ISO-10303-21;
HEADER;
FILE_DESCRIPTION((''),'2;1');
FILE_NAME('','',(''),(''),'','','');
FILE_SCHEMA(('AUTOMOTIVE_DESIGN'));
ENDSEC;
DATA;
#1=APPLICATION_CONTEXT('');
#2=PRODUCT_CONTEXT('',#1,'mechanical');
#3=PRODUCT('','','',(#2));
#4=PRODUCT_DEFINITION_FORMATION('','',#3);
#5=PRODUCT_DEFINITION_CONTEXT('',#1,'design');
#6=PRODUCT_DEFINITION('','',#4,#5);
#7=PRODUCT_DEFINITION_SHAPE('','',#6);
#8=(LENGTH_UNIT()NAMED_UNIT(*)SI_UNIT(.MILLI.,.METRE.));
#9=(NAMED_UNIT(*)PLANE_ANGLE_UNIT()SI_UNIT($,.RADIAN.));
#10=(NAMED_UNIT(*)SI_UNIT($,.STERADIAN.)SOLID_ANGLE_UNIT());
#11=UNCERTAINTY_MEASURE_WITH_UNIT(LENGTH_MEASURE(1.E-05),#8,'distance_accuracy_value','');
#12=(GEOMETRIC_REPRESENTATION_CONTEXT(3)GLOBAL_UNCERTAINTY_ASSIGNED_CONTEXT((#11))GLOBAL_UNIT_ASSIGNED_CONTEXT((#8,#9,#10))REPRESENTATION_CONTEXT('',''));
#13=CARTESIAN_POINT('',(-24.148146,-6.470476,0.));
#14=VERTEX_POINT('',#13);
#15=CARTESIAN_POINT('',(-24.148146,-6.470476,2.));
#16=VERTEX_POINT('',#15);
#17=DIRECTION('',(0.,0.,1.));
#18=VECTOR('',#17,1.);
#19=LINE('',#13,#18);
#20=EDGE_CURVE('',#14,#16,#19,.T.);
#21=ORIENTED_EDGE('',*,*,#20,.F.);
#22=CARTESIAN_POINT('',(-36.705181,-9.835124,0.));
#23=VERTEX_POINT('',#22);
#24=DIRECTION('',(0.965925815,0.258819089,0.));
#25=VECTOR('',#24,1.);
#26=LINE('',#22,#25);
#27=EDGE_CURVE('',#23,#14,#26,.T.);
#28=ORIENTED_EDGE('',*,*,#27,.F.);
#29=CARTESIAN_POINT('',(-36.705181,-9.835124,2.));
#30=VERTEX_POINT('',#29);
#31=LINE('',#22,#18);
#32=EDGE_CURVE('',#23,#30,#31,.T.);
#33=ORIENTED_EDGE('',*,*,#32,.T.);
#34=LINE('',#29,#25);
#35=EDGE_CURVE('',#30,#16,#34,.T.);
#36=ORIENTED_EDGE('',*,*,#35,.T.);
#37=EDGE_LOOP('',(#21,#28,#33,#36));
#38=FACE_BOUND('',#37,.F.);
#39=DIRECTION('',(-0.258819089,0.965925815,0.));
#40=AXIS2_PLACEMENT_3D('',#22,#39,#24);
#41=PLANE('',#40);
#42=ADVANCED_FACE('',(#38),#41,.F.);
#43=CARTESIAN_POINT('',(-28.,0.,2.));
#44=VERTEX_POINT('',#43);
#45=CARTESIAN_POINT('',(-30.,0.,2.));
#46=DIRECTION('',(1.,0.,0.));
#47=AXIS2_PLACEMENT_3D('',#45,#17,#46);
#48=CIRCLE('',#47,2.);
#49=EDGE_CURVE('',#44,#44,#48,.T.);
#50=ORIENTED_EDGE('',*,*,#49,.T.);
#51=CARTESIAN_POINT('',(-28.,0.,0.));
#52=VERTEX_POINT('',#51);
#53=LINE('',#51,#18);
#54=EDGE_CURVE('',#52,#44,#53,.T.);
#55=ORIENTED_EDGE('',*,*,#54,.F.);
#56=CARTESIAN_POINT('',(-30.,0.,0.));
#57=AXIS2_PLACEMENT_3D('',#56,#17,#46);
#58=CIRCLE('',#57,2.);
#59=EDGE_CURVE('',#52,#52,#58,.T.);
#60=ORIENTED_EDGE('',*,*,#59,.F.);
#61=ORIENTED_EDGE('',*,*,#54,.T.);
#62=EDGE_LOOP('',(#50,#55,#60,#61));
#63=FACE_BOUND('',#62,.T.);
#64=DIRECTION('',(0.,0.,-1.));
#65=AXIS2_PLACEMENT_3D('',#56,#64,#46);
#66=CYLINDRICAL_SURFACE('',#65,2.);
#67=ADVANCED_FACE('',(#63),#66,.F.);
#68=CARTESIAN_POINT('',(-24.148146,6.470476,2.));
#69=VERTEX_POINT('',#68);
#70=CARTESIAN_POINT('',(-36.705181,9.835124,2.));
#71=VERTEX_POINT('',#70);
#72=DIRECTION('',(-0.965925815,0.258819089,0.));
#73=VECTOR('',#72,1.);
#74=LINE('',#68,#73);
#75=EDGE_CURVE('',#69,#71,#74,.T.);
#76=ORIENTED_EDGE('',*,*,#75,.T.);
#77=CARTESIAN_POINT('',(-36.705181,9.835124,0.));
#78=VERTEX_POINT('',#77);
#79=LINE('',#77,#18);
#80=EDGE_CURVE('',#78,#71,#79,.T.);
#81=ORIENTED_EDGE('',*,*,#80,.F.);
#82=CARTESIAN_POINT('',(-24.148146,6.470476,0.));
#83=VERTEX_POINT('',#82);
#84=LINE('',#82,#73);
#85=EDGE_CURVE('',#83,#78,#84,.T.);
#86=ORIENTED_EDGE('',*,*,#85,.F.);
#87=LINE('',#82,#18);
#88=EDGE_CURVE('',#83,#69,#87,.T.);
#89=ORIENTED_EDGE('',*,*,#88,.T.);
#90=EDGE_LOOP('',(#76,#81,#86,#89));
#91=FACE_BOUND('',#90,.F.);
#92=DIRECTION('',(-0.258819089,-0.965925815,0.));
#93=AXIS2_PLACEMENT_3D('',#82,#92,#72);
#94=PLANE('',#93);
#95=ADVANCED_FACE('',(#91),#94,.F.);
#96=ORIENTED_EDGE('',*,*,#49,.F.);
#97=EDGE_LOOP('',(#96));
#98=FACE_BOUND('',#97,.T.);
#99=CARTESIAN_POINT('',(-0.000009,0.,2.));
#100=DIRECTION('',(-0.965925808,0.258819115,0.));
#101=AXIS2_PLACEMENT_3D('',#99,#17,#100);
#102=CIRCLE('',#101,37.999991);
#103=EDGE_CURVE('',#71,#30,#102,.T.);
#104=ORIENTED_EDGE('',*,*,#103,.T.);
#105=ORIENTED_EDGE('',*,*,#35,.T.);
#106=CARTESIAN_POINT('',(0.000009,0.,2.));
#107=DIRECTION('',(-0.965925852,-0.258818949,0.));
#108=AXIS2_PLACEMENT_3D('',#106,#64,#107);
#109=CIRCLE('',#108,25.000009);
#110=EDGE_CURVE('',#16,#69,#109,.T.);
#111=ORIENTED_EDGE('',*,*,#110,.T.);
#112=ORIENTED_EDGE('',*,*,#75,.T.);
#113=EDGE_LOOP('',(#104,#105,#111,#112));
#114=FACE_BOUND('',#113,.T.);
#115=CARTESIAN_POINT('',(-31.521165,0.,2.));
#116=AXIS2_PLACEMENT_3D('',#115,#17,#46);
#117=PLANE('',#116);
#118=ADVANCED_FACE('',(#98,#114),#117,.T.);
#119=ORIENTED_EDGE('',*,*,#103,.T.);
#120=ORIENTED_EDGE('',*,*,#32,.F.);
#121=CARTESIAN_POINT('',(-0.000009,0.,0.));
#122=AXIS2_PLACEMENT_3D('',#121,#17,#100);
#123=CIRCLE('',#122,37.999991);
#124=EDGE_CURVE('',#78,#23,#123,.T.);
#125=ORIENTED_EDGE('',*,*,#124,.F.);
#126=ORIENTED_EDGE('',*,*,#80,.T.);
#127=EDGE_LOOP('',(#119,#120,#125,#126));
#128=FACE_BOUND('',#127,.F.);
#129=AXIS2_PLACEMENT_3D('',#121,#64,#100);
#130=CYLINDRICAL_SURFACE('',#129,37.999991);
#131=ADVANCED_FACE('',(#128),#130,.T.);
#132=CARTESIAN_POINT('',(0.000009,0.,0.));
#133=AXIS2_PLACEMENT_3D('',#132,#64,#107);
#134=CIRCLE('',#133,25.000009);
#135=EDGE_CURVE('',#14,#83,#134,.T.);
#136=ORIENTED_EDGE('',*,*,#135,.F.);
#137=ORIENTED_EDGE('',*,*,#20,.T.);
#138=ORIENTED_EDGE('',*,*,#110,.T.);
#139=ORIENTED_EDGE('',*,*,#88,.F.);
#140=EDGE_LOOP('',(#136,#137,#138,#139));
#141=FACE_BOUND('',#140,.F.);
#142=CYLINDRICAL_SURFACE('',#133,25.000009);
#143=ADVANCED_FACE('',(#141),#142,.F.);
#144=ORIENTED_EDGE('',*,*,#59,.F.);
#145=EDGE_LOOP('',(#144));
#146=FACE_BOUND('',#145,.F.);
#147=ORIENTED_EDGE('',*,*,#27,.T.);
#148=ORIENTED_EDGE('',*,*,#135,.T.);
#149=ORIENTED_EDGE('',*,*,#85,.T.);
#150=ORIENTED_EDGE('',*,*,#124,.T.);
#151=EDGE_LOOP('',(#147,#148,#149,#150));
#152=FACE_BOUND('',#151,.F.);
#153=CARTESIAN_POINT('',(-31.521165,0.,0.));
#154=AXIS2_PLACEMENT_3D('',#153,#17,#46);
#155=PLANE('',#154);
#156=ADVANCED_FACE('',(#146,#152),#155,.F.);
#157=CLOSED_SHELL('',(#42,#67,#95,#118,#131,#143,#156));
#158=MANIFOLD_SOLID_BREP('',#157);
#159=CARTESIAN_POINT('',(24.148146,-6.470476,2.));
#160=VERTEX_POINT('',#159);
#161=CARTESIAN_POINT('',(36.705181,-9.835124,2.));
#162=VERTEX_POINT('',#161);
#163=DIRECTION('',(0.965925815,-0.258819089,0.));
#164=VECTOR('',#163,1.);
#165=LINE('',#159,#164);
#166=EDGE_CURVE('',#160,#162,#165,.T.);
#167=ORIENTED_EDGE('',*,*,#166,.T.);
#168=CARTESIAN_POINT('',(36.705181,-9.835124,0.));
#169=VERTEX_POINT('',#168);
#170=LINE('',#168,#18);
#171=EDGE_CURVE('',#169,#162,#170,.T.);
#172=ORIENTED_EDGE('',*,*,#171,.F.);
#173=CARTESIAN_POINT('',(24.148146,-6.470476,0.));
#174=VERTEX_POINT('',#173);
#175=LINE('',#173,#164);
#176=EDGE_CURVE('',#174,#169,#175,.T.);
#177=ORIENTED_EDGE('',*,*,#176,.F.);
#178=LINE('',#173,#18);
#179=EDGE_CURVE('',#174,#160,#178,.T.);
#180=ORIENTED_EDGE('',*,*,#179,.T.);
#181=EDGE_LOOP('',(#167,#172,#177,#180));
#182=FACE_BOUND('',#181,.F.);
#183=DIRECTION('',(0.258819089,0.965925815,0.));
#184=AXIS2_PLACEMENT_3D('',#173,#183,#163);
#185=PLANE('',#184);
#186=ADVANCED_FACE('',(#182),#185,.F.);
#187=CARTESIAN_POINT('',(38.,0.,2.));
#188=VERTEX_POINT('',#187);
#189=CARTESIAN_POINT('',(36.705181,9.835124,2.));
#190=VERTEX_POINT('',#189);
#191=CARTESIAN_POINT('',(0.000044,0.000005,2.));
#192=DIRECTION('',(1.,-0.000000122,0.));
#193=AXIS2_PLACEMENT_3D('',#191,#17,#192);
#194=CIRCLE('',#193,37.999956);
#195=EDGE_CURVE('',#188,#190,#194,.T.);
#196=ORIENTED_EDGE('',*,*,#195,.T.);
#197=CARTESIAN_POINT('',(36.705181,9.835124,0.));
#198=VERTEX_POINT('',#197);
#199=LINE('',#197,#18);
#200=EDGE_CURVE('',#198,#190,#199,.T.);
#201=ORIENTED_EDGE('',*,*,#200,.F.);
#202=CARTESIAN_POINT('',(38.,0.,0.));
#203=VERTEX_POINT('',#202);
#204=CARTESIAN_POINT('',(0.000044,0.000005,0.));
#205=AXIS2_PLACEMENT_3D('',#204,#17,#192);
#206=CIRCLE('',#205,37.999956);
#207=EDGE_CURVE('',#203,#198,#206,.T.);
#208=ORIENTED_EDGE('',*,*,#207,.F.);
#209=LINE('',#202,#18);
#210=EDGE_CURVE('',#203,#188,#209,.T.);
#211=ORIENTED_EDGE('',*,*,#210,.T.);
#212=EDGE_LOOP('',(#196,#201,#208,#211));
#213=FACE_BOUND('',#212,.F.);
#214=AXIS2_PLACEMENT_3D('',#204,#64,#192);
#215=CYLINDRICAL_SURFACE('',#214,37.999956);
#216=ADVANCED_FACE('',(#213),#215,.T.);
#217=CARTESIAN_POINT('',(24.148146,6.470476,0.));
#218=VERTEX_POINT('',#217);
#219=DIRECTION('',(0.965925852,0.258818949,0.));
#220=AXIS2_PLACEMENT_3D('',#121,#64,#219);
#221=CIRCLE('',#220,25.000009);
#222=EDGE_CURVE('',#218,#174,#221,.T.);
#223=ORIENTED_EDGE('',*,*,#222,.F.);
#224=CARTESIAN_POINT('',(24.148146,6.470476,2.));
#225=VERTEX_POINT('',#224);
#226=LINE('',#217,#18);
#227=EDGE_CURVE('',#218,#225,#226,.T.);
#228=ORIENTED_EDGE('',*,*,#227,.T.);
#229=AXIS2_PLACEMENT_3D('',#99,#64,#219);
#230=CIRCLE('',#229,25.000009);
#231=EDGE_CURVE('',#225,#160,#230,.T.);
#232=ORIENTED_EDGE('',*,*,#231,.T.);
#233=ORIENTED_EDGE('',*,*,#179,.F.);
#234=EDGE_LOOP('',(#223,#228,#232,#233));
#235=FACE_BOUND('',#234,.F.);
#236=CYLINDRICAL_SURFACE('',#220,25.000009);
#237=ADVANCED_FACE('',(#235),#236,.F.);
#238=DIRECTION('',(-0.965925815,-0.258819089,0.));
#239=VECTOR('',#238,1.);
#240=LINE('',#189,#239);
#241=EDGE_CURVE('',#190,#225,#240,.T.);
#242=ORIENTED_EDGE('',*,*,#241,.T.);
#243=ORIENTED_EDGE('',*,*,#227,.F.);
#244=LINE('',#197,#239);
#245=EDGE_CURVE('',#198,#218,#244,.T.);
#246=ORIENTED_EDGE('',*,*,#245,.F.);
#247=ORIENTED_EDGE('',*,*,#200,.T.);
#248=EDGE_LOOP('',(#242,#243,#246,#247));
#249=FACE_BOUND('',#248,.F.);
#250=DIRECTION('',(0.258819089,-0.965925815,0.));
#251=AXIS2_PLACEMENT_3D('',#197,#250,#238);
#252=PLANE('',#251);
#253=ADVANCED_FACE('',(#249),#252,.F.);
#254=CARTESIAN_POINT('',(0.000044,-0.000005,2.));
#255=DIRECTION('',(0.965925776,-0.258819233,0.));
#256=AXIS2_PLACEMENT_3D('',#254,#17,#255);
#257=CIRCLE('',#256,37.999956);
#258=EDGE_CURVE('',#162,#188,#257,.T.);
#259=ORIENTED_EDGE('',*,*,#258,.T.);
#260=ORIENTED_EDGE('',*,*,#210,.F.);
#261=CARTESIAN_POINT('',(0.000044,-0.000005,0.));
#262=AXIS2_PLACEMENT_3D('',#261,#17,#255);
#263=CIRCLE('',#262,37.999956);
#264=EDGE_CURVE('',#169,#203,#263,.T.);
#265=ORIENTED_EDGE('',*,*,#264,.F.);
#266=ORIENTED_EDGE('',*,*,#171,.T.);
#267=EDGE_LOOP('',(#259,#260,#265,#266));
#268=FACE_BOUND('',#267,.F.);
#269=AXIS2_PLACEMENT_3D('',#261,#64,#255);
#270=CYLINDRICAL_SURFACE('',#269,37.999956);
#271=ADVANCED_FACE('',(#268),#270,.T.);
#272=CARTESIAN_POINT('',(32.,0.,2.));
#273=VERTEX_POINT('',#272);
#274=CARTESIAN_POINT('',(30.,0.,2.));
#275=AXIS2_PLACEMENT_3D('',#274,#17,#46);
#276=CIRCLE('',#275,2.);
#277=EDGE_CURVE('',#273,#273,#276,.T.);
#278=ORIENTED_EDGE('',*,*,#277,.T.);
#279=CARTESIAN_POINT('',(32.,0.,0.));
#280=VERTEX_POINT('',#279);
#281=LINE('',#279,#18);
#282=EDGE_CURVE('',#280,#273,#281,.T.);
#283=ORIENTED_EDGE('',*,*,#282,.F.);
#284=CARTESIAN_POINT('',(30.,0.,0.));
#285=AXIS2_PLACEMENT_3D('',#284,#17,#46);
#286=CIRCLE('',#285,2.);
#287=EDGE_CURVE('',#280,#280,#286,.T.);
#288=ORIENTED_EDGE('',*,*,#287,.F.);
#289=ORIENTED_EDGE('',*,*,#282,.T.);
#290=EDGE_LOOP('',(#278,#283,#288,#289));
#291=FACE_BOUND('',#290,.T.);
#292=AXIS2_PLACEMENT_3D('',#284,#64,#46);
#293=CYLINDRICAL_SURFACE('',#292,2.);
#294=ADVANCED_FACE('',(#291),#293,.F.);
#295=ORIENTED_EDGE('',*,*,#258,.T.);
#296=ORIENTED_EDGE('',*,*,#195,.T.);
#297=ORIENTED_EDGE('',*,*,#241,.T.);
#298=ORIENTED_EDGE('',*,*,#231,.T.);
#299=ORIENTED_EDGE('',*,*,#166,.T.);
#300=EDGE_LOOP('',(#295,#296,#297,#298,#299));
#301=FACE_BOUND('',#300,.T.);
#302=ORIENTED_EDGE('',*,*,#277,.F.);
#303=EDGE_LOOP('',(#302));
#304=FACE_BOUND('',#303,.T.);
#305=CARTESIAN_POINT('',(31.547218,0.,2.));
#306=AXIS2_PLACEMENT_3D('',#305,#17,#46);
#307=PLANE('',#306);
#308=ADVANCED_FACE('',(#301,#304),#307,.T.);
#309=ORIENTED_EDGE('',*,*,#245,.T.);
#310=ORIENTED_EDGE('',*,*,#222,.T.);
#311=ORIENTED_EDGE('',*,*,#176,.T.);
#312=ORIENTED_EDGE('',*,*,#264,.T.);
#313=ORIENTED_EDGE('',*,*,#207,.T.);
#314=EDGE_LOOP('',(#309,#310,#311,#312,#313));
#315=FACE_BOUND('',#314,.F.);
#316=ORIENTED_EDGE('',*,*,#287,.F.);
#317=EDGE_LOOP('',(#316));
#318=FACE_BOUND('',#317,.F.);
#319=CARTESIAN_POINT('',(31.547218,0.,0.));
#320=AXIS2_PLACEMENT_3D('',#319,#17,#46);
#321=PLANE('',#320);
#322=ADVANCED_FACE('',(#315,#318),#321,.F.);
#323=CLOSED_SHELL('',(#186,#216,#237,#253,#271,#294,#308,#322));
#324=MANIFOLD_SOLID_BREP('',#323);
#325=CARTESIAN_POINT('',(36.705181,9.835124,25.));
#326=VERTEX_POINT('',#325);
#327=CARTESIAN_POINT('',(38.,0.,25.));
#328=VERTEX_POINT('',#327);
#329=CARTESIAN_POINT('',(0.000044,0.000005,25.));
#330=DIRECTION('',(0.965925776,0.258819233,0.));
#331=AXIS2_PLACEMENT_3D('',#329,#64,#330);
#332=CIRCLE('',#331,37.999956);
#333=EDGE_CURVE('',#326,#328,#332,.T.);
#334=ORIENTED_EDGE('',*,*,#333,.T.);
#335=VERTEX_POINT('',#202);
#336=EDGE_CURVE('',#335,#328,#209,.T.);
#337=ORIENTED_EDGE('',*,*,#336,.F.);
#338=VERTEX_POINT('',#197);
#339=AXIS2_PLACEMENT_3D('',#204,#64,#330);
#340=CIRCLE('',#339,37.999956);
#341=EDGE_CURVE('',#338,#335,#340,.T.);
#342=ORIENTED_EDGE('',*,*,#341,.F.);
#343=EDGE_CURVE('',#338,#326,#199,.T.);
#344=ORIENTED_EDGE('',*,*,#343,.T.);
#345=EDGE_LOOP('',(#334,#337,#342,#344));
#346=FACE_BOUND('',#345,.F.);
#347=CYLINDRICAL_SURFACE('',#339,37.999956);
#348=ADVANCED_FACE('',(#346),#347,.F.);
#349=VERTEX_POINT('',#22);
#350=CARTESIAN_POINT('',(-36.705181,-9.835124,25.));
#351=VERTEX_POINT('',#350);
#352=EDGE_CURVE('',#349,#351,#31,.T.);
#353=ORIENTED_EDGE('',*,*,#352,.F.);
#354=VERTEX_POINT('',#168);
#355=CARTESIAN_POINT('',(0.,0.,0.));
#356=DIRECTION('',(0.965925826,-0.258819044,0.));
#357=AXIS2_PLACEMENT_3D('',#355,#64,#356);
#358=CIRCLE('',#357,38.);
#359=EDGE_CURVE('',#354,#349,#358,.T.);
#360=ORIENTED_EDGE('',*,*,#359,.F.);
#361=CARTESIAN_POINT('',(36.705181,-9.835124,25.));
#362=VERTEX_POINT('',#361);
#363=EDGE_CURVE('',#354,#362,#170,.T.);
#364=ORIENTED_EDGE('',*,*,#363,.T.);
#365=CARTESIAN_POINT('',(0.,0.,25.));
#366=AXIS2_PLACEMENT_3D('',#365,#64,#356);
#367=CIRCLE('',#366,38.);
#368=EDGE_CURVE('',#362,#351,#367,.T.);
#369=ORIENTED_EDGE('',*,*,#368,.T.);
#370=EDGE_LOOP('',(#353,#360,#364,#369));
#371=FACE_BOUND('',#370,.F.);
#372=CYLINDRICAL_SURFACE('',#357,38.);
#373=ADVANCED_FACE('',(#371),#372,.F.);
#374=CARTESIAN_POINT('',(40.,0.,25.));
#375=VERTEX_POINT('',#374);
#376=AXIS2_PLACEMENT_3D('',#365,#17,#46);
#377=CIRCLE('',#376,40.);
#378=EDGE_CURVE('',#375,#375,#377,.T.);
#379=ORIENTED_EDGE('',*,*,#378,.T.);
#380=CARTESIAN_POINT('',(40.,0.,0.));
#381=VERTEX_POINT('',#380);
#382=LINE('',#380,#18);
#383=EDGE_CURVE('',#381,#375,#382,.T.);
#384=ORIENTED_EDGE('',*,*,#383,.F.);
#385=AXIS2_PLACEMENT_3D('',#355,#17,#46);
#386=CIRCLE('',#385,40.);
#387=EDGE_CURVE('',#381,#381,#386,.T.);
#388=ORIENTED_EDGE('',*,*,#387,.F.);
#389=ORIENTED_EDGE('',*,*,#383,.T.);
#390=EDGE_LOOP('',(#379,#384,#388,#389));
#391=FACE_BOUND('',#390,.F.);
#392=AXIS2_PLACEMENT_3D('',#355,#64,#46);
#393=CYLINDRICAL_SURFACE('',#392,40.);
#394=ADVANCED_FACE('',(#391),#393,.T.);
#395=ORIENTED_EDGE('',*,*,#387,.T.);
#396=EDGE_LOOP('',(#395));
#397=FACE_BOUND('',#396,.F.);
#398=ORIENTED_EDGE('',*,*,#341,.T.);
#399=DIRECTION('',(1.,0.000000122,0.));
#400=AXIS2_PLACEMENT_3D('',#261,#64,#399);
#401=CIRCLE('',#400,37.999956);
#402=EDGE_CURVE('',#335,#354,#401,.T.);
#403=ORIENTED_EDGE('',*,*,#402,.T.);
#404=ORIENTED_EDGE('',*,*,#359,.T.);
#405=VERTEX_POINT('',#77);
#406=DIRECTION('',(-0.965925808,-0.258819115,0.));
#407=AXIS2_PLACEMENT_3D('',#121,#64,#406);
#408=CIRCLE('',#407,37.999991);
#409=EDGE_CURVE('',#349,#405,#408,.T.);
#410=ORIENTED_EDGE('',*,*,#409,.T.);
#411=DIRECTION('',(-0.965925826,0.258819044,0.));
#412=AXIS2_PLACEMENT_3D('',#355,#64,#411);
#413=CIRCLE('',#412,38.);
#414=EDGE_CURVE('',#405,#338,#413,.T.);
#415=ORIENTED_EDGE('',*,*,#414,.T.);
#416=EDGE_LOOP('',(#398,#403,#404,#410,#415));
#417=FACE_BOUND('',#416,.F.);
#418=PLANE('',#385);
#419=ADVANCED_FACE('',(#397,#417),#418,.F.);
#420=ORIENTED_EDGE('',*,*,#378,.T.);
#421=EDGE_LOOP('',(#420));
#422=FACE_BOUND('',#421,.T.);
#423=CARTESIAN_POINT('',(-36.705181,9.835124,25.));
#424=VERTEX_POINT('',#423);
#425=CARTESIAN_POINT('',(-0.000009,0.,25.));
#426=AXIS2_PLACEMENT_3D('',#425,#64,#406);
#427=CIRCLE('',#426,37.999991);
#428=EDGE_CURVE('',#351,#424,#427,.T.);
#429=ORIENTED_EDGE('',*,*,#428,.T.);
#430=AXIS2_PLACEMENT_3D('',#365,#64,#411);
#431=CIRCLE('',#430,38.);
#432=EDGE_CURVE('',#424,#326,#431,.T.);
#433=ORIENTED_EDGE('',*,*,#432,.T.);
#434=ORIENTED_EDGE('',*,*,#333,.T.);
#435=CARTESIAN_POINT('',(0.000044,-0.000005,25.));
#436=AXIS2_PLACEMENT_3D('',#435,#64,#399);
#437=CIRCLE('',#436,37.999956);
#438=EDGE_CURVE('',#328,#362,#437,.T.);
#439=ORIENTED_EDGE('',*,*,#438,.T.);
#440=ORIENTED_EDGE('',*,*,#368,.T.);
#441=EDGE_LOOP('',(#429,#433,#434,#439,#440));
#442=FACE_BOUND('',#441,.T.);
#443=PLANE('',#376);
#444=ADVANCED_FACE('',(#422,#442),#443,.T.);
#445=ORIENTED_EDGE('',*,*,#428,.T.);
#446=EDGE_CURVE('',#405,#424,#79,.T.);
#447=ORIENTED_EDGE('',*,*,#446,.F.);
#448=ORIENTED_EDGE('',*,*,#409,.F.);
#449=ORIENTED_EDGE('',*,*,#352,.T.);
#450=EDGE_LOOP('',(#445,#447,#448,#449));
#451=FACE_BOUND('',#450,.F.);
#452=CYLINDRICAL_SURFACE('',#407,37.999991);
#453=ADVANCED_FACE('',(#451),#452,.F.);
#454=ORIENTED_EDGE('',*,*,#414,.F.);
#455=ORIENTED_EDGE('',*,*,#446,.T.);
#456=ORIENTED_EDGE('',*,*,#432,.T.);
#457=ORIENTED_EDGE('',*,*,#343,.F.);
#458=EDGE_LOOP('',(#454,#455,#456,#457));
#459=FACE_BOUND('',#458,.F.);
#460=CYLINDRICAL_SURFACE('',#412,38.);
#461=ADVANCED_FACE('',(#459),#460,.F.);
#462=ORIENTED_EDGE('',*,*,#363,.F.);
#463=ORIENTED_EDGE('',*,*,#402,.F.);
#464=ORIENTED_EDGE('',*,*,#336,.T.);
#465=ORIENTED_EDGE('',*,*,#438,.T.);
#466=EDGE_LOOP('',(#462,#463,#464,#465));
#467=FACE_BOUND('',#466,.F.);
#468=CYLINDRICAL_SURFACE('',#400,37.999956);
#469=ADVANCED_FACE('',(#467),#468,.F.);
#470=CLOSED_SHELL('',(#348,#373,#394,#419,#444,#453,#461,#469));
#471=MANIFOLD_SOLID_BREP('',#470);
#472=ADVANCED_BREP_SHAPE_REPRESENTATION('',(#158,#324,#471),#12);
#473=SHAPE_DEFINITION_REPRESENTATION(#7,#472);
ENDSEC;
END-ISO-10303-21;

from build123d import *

# Parameters (mm, degrees)
F0_R     = 40
F1_DEPTH = 25
F0_R_2   = 2
F2_DEPTH = 2
F3_DEPTH = 2


with BuildPart() as f1:
    # F0 (on Top) → F1 (new body)
    with BuildSketch(Plane.XY):
        Circle(F0_R)
        with BuildLine():
            ThreePointArc((36.705181, 9.835124), (37.674905, 4.959995), (38, 0))
            ThreePointArc((38, 0), (37.674905, -4.959995), (36.705181, -9.835124))
            ThreePointArc((36.705181, -9.835124), (0, -38), (-36.705181, -9.835124))
            ThreePointArc((-36.705181, -9.835124), (-38, 0), (-36.705181, 9.835124))
            ThreePointArc((-36.705181, 9.835124), (0, 38), (36.705181, 9.835124))
        make_face(mode=Mode.SUBTRACT)
    extrude(amount=F1_DEPTH)


with BuildPart() as f2:
    # F0 (on Top) → F2 (new body)
    with BuildSketch(Plane.XY):
        with BuildLine():
            Line((-24.148146, 6.470476), (-36.705181, 9.835124))
            ThreePointArc((-36.705181, 9.835124), (-38, 0), (-36.705181, -9.835124))
            Line((-36.705181, -9.835124), (-24.148146, -6.470476))
            ThreePointArc((-24.148146, -6.470476), (-25, 0), (-24.148146, 6.470476))
        make_face()
        with Locations((-30, 0)):
            Circle(F0_R_2, mode=Mode.SUBTRACT)
    extrude(amount=F2_DEPTH)


with BuildPart() as f3:
    # F0 (on Top) → F3 (new body)
    with BuildSketch(Plane.XY):
        with BuildLine():
            ThreePointArc((36.705181, -9.835124), (37.674905, -4.959995), (38, 0))
            ThreePointArc((38, 0), (37.674905, 4.959995), (36.705181, 9.835124))
            Line((36.705181, 9.835124), (24.148146, 6.470476))
            ThreePointArc((24.148146, 6.470476), (25, 0), (24.148146, -6.470476))
            Line((24.148146, -6.470476), (36.705181, -9.835124))
        make_face()
        with Locations((30, 0)):
            Circle(F0_R_2, mode=Mode.SUBTRACT)
    extrude(amount=F3_DEPTH)


solid = Compound([f1.part, f2.part, f3.part])
